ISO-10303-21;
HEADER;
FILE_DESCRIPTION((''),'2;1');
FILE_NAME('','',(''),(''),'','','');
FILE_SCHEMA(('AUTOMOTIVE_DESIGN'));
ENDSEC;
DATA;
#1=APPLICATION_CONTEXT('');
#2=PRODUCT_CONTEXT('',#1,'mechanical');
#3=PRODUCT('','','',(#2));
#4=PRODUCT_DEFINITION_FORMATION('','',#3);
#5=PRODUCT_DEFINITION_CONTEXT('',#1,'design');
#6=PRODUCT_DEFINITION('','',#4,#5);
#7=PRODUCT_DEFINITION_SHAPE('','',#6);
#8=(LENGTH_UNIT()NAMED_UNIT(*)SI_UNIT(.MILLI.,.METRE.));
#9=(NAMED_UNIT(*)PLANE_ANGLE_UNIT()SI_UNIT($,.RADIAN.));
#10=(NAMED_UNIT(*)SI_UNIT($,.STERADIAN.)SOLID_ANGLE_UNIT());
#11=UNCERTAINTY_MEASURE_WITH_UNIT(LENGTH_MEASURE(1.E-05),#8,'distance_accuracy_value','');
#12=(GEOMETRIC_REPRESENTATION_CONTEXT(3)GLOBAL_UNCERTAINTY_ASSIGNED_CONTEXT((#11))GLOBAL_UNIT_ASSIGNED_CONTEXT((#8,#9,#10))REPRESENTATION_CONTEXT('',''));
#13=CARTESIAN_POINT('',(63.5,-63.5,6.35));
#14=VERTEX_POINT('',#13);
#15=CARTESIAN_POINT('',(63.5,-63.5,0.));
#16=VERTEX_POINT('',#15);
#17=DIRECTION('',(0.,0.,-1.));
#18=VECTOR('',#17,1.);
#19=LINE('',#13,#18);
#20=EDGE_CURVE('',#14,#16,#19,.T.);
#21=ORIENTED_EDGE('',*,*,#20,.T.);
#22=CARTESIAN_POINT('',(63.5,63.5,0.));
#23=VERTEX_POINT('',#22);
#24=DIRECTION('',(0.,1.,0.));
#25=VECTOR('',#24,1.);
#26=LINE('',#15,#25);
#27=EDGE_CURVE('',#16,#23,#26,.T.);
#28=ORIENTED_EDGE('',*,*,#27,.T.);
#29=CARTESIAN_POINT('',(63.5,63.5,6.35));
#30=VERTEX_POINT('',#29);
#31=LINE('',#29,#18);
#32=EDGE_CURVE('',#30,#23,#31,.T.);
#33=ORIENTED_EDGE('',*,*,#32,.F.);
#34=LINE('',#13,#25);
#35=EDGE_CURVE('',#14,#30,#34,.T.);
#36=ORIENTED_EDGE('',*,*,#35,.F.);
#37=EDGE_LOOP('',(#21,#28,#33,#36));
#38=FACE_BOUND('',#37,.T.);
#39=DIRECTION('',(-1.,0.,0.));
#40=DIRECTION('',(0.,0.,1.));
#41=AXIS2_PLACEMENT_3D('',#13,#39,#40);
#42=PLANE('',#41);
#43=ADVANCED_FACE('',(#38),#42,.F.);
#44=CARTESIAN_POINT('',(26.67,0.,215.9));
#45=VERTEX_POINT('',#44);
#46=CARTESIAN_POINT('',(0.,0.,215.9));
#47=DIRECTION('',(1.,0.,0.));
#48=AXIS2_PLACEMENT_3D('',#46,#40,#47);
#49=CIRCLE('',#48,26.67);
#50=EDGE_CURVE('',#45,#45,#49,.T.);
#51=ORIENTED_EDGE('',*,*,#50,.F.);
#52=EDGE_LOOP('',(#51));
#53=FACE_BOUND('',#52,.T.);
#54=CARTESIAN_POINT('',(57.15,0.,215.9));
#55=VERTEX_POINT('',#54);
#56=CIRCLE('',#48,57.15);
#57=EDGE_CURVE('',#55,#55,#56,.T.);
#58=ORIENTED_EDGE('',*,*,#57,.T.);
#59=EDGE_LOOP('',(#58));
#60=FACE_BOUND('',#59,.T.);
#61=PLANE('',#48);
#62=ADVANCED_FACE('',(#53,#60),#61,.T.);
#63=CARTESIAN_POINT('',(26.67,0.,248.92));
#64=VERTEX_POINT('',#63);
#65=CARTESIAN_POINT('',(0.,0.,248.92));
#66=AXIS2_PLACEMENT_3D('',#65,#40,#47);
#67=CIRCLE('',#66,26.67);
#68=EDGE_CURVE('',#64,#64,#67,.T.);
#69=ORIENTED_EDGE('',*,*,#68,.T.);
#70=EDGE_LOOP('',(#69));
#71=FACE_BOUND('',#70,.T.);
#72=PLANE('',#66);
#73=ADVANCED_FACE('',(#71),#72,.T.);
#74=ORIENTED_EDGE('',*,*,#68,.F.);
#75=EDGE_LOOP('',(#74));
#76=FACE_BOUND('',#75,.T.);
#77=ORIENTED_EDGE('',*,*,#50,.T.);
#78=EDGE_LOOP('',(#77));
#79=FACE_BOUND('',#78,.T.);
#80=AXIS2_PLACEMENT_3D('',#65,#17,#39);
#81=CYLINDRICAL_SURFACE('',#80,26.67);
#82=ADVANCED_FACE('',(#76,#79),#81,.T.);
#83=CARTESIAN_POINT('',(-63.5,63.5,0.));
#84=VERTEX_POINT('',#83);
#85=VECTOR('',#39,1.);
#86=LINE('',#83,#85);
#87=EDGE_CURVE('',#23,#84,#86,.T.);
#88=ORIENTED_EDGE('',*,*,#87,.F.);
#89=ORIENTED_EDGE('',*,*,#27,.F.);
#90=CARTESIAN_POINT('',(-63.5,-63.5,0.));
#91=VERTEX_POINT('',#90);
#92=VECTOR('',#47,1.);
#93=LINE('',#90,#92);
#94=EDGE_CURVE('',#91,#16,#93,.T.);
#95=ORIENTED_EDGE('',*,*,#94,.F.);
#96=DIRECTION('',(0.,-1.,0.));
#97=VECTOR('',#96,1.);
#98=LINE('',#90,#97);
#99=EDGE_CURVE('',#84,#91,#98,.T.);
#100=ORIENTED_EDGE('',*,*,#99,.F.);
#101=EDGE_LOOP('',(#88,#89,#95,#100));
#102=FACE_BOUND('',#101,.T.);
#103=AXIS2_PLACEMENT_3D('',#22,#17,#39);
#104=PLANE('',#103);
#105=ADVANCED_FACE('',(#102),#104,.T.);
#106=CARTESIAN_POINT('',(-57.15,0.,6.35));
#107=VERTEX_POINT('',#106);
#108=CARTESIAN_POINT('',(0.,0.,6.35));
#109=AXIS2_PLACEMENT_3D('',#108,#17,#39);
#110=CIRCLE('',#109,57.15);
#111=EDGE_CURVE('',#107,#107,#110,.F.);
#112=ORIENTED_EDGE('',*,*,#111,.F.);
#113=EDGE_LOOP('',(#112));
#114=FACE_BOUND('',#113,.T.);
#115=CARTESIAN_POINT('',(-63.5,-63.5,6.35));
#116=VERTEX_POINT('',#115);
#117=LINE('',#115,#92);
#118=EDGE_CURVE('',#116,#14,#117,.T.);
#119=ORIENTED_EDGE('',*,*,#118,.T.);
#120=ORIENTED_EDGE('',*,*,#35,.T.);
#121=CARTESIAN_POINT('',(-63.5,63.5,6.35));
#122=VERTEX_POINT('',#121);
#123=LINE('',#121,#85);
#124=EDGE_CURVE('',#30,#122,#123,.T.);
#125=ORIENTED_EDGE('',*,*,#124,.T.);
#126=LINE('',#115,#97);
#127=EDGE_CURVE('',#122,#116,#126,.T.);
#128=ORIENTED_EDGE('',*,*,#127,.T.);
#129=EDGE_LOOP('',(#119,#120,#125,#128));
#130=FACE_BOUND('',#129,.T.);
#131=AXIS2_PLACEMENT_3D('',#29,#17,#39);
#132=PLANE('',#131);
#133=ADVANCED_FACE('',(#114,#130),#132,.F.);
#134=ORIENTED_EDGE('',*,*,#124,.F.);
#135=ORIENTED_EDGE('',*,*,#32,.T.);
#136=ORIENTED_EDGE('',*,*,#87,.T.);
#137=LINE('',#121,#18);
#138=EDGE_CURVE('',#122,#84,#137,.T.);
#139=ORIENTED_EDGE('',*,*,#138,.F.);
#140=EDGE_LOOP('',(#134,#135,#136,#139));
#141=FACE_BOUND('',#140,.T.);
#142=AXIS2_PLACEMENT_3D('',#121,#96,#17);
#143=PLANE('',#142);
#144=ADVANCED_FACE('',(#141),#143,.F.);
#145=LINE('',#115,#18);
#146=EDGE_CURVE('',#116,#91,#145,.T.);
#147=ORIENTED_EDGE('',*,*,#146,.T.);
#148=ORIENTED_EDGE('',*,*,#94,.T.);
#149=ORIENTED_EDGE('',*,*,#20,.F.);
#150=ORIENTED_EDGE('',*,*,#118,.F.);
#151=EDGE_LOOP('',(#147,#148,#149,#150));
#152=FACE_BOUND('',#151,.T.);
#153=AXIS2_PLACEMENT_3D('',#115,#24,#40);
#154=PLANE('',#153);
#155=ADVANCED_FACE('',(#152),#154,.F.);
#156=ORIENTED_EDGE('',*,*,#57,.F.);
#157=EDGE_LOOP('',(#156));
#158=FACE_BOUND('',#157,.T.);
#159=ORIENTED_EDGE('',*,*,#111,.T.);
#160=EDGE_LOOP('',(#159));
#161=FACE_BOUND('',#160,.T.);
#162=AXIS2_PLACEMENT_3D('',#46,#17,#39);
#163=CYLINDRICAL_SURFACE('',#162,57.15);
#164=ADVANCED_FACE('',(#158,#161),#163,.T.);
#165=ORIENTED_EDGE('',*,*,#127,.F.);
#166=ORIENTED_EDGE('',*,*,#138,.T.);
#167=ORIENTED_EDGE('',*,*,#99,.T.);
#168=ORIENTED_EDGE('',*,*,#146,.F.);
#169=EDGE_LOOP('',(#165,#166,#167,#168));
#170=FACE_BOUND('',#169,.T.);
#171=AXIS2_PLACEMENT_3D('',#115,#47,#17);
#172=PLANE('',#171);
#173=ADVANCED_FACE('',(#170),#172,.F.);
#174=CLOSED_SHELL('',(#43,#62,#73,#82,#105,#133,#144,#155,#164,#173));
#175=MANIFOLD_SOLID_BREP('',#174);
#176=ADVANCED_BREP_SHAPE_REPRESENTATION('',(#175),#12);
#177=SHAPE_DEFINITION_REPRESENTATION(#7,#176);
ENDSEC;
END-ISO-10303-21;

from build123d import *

# Parameters (mm, degrees)
SKETCH1_W           = 127
SKETCH1_H           = 127
BOSS_EXTRUDE1_DEPTH = 6.35
SKETCH2_R           = 57.15
BOSS_EXTRUDE2_DEPTH = 209.55
SKETCH3_R           = 26.67
BOSS_EXTRUDE3_DEPTH = 33.02


with BuildPart() as part:
    # Sketch1 → Boss-Extrude1 (new body)
    with BuildSketch(Plane.XY):
        Rectangle(SKETCH1_W, SKETCH1_H)
    extrude(amount=BOSS_EXTRUDE1_DEPTH)

    # Sketch2 → Boss-Extrude2 (add)
    with BuildSketch(Plane.XY.offset(6.35)):
        Circle(SKETCH2_R)
    extrude(amount=BOSS_EXTRUDE2_DEPTH)

    # Sketch3 → Boss-Extrude3 (add)
    with BuildSketch(Plane.XY.offset(215.9)):
        Circle(SKETCH3_R)
    extrude(amount=BOSS_EXTRUDE3_DEPTH)


solid = part.part
